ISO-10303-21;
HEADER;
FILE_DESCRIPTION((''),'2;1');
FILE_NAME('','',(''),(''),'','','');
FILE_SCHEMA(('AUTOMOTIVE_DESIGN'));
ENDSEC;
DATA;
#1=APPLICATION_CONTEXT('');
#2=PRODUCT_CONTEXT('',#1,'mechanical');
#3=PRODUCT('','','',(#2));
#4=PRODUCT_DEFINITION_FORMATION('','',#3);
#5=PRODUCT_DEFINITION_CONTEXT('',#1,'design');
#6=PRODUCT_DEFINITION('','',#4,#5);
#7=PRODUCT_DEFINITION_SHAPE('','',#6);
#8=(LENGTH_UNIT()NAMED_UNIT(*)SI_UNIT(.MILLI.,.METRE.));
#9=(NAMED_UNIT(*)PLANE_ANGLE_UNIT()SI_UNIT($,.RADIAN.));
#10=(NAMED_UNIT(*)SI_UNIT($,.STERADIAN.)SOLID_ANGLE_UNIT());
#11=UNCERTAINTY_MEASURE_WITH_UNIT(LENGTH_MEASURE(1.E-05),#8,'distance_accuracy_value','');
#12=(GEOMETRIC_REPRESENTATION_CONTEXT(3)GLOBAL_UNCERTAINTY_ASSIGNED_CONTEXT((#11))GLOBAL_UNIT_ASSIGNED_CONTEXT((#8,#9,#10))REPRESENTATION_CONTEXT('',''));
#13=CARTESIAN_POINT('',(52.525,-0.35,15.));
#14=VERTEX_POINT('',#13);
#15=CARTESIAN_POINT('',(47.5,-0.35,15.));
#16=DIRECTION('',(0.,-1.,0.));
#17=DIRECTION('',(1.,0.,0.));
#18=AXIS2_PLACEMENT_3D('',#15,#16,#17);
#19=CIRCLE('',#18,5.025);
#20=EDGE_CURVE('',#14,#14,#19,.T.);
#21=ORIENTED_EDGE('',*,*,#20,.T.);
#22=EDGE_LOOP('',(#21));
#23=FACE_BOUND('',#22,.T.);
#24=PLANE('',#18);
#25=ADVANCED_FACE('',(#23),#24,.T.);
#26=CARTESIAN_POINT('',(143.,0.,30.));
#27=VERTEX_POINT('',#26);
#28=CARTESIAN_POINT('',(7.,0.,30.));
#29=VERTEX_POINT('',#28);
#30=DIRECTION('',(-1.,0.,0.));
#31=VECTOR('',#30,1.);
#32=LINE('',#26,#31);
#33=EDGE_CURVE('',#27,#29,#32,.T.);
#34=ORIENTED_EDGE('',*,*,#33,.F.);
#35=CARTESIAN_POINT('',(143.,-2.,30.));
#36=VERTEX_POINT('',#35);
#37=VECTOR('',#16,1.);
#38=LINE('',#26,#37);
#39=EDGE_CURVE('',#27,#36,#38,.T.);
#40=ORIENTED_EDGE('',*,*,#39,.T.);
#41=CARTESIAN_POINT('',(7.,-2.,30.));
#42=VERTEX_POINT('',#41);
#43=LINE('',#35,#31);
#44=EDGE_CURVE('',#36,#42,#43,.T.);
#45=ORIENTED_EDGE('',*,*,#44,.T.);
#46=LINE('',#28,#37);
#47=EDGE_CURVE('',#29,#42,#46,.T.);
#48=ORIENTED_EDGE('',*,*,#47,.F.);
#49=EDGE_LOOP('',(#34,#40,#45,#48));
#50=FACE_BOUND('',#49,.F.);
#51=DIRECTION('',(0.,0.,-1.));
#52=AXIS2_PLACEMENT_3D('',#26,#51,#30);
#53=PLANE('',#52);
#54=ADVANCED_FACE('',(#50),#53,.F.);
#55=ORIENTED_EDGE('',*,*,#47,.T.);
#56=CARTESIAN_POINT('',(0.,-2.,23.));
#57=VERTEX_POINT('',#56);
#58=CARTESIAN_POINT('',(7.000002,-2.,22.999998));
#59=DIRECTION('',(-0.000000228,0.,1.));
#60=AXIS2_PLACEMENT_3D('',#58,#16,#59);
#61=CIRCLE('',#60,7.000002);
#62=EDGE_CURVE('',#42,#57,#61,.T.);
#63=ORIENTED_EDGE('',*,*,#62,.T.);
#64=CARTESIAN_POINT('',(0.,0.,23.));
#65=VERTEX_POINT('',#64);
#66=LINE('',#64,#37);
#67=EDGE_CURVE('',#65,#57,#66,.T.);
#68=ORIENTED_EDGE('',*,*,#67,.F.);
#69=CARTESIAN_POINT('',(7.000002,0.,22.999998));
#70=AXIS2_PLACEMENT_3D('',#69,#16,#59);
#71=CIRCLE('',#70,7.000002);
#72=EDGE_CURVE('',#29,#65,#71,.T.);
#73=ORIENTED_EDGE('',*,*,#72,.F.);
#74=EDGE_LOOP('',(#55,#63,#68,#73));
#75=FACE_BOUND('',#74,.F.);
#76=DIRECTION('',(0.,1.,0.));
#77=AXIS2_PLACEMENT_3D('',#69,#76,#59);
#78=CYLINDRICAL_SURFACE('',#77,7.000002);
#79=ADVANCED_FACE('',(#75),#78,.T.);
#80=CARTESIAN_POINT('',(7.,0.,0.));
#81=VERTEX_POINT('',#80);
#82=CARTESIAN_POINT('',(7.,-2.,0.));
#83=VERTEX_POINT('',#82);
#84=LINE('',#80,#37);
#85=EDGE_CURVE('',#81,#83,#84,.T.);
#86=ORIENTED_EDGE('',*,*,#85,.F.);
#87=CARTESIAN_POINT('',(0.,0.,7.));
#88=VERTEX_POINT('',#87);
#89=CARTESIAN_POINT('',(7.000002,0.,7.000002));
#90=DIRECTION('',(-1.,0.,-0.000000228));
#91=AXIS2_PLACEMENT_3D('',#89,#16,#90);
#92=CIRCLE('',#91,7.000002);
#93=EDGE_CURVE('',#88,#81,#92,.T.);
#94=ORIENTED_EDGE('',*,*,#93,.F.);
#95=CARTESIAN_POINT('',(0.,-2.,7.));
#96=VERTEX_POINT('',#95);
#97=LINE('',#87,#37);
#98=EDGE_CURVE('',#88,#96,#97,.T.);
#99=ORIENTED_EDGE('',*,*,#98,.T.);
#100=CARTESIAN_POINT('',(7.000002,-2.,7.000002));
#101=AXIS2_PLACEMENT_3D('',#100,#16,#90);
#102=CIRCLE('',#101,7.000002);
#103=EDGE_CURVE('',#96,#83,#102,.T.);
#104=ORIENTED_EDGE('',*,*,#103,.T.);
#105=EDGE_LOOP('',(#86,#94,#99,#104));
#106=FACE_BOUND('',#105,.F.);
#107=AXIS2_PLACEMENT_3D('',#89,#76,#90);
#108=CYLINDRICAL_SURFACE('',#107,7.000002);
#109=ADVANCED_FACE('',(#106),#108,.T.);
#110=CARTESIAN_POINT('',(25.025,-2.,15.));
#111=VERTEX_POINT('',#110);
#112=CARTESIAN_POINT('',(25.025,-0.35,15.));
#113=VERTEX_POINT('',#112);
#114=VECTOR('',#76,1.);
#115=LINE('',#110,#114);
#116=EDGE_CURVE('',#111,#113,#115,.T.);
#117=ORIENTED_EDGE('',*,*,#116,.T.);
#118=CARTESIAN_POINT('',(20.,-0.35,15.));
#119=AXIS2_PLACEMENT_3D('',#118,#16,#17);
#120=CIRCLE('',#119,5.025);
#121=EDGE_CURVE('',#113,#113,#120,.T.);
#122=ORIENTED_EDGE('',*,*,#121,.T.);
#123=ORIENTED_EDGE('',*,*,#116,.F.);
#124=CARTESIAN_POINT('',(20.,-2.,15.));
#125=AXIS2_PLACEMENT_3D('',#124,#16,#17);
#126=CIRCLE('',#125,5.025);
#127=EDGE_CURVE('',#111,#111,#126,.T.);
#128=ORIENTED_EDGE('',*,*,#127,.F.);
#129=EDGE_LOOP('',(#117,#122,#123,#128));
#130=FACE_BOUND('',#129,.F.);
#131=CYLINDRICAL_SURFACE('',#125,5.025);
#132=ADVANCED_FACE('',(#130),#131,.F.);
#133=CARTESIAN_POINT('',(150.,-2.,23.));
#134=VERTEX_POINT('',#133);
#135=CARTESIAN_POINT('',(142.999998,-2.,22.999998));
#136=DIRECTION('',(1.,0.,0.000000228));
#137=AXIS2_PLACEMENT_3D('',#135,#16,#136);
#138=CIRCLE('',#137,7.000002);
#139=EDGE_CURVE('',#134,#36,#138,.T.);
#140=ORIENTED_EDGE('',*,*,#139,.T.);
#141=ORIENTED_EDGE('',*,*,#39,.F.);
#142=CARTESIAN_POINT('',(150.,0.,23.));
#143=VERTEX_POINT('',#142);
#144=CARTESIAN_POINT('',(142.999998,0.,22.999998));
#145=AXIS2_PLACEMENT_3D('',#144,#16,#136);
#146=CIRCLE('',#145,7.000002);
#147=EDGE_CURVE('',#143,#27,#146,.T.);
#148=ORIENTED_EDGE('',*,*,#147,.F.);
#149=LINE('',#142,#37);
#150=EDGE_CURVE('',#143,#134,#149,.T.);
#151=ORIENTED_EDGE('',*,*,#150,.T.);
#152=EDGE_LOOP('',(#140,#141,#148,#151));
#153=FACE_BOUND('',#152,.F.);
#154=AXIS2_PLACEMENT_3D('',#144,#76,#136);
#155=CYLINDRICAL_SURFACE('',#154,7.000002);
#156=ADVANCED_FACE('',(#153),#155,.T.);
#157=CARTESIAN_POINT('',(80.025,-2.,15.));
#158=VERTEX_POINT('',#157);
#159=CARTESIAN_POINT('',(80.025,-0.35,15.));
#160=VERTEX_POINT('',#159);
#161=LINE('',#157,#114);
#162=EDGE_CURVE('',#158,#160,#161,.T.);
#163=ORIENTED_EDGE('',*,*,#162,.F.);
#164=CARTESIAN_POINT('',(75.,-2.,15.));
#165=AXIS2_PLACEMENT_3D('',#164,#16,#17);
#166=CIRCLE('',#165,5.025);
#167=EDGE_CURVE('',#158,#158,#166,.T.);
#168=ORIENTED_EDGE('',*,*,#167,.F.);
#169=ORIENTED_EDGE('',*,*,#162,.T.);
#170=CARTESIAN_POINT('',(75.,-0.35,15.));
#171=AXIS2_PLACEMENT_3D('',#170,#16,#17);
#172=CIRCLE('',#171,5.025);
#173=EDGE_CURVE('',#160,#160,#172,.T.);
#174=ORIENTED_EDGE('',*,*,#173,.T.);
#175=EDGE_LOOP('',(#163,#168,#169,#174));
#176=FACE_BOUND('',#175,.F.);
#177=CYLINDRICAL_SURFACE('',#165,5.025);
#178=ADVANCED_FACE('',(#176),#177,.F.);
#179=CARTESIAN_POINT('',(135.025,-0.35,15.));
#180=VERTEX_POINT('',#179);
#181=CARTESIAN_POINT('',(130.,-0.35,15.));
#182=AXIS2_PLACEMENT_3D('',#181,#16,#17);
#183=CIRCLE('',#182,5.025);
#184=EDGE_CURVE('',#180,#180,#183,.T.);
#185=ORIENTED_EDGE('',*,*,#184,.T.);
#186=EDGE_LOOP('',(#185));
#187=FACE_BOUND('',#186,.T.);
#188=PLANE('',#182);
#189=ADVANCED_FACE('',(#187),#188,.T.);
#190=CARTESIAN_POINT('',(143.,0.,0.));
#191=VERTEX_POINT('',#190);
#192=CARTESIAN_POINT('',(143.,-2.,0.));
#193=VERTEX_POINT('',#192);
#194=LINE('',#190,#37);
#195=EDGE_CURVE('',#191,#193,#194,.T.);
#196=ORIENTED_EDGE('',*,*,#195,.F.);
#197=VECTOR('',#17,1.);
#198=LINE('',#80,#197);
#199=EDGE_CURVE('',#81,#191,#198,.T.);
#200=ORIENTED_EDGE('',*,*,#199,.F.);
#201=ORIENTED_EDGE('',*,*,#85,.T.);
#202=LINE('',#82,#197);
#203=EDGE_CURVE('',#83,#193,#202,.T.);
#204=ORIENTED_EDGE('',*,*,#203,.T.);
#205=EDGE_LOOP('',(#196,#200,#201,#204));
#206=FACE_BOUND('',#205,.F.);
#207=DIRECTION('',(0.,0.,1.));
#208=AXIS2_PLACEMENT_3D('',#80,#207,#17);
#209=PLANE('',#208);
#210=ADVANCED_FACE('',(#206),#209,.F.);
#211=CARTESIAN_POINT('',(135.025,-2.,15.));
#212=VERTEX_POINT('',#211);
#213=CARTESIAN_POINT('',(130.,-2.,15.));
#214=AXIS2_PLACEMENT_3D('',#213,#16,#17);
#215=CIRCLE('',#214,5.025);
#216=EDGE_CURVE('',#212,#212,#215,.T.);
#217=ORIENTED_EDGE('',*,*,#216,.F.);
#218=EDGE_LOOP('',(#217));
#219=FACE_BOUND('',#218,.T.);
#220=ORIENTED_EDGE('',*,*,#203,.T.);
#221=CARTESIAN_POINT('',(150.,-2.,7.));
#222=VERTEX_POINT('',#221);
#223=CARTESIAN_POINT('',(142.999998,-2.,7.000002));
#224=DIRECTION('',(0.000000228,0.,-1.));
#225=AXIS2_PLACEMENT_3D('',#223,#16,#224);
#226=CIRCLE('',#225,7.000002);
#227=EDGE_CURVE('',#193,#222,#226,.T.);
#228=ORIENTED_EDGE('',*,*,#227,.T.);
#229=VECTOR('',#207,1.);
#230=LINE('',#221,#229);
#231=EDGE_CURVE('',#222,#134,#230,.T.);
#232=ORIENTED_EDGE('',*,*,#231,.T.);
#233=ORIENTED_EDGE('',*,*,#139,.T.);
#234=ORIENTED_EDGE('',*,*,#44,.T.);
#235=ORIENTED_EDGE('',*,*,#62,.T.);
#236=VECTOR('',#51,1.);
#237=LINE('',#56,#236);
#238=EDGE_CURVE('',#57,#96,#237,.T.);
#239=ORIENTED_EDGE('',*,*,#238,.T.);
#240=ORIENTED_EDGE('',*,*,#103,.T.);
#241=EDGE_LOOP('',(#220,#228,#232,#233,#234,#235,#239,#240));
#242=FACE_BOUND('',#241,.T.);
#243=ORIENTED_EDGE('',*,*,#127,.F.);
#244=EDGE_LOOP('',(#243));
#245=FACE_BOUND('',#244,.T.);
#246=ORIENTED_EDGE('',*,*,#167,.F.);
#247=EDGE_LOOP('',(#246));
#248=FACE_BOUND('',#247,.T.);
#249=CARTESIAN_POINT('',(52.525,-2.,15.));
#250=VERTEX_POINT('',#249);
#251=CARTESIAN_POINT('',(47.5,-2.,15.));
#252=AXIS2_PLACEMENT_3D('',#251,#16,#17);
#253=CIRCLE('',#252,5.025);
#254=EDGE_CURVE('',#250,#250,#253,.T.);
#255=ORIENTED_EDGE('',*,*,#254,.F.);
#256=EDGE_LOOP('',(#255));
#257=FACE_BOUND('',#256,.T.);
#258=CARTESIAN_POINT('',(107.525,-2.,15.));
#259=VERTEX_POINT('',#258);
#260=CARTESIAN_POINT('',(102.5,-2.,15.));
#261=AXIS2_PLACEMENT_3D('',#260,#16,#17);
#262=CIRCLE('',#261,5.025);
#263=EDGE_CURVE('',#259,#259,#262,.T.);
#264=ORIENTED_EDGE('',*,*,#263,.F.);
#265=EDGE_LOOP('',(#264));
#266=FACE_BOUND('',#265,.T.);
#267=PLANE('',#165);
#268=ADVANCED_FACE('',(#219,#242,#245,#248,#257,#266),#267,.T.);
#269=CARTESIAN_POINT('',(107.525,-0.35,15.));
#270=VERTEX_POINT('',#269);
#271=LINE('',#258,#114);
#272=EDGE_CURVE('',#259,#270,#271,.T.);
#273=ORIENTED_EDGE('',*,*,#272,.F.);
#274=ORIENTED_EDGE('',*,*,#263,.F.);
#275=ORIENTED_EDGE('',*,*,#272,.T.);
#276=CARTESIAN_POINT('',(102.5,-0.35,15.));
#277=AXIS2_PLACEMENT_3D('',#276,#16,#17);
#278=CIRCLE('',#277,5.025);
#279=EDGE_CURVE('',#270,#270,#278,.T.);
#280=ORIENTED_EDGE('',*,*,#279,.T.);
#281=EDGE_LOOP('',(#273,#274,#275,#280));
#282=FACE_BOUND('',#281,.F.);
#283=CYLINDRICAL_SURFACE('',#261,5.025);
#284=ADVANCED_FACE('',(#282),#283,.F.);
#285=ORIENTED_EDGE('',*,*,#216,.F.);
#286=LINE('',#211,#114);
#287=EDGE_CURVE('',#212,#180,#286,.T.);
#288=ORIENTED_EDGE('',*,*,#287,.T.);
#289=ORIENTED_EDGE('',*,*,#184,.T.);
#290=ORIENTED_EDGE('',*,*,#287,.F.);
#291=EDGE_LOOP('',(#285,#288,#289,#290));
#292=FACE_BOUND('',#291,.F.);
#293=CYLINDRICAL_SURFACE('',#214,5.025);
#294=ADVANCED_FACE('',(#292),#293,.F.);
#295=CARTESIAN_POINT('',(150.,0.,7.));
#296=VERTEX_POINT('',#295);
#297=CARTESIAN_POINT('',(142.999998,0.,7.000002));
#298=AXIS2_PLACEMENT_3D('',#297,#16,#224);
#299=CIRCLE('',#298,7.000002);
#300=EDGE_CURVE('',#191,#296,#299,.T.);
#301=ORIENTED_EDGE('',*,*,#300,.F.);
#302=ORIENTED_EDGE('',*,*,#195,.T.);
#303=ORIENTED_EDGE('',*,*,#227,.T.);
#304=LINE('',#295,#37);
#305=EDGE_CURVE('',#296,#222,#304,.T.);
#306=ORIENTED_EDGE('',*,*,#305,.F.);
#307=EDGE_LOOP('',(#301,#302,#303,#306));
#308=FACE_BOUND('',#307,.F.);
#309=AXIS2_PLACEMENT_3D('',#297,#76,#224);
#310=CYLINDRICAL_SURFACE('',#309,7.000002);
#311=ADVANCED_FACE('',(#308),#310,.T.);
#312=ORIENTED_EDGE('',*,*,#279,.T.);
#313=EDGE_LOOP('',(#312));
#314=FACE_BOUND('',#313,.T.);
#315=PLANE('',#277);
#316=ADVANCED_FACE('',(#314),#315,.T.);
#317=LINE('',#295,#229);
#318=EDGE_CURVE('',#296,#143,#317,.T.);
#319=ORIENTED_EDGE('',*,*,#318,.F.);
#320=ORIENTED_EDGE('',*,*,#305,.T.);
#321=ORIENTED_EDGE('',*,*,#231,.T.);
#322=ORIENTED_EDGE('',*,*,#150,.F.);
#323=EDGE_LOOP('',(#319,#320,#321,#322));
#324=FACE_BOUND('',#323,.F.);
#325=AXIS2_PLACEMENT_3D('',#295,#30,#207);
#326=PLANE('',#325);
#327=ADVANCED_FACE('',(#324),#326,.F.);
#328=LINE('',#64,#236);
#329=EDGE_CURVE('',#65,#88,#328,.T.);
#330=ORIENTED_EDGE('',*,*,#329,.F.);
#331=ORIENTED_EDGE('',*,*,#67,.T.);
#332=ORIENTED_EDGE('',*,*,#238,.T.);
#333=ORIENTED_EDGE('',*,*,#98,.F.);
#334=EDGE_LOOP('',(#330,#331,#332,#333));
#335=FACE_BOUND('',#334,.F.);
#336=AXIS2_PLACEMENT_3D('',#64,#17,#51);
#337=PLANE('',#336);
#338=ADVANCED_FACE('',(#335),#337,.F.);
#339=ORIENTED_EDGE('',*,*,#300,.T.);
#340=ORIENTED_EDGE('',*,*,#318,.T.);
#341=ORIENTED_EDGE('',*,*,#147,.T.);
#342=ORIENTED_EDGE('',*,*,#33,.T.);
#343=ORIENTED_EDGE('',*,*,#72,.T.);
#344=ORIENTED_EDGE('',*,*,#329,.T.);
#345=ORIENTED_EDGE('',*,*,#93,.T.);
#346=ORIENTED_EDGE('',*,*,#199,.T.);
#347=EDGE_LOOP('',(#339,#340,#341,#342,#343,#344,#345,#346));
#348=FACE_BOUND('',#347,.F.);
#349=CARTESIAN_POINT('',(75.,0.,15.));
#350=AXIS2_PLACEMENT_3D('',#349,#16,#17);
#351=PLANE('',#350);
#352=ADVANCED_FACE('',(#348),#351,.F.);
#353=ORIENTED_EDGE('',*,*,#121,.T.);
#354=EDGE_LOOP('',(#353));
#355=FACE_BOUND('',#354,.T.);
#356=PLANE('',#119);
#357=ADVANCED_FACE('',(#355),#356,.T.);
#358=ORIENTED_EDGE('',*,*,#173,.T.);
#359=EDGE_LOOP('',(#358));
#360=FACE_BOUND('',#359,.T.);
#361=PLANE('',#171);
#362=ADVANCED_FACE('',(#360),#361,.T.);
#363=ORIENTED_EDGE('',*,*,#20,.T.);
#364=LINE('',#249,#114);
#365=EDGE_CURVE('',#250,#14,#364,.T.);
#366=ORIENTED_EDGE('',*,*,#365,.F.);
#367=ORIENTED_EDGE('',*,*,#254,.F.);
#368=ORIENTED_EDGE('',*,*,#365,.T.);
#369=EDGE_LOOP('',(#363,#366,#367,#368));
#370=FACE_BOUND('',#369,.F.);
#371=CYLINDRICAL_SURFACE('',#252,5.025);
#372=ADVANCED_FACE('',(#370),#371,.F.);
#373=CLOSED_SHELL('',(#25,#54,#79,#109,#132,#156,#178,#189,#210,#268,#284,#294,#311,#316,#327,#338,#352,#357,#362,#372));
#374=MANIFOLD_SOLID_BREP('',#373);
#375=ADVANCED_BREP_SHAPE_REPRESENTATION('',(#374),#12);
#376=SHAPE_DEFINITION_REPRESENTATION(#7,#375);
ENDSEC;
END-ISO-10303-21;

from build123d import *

# Parameters (mm, degrees)
F1_DEPTH = 2
F2_R     = 5.025
F3_DEPTH = 1.65


with BuildPart() as f1:
    # F0 (on Front) → F1 (new body)
    with BuildSketch(Plane.XZ):
        with BuildLine():
            ThreePointArc((0, 7), (2.050253, 2.050253), (7, 0))
            Line((7, 0), (143, 0))
            ThreePointArc((143, 0), (147.949747, 2.050253), (150, 7))
            Line((150, 7), (150, 23))
            ThreePointArc((150, 23), (147.949747, 27.949747), (143, 30))
            Line((143, 30), (7, 30))
            ThreePointArc((7, 30), (2.050253, 27.949747), (0, 23))
            Line((0, 23), (0, 7))
        make_face()
    extrude(amount=F1_DEPTH)

    # F2 (on face) → F3 (cut)
    with BuildSketch(Plane.XZ.offset(2)):
        with Locations((20, 15)):
            Circle(F2_R)
        with Locations((47.5, 15)):
            Circle(F2_R)
        with Locations((75, 15)):
            Circle(F2_R)
        with Locations((102.5, 15)):
            Circle(F2_R)
        with Locations((130, 15)):
            Circle(F2_R)
    extrude(amount=-F3_DEPTH, mode=Mode.SUBTRACT)


solid = f1.part
